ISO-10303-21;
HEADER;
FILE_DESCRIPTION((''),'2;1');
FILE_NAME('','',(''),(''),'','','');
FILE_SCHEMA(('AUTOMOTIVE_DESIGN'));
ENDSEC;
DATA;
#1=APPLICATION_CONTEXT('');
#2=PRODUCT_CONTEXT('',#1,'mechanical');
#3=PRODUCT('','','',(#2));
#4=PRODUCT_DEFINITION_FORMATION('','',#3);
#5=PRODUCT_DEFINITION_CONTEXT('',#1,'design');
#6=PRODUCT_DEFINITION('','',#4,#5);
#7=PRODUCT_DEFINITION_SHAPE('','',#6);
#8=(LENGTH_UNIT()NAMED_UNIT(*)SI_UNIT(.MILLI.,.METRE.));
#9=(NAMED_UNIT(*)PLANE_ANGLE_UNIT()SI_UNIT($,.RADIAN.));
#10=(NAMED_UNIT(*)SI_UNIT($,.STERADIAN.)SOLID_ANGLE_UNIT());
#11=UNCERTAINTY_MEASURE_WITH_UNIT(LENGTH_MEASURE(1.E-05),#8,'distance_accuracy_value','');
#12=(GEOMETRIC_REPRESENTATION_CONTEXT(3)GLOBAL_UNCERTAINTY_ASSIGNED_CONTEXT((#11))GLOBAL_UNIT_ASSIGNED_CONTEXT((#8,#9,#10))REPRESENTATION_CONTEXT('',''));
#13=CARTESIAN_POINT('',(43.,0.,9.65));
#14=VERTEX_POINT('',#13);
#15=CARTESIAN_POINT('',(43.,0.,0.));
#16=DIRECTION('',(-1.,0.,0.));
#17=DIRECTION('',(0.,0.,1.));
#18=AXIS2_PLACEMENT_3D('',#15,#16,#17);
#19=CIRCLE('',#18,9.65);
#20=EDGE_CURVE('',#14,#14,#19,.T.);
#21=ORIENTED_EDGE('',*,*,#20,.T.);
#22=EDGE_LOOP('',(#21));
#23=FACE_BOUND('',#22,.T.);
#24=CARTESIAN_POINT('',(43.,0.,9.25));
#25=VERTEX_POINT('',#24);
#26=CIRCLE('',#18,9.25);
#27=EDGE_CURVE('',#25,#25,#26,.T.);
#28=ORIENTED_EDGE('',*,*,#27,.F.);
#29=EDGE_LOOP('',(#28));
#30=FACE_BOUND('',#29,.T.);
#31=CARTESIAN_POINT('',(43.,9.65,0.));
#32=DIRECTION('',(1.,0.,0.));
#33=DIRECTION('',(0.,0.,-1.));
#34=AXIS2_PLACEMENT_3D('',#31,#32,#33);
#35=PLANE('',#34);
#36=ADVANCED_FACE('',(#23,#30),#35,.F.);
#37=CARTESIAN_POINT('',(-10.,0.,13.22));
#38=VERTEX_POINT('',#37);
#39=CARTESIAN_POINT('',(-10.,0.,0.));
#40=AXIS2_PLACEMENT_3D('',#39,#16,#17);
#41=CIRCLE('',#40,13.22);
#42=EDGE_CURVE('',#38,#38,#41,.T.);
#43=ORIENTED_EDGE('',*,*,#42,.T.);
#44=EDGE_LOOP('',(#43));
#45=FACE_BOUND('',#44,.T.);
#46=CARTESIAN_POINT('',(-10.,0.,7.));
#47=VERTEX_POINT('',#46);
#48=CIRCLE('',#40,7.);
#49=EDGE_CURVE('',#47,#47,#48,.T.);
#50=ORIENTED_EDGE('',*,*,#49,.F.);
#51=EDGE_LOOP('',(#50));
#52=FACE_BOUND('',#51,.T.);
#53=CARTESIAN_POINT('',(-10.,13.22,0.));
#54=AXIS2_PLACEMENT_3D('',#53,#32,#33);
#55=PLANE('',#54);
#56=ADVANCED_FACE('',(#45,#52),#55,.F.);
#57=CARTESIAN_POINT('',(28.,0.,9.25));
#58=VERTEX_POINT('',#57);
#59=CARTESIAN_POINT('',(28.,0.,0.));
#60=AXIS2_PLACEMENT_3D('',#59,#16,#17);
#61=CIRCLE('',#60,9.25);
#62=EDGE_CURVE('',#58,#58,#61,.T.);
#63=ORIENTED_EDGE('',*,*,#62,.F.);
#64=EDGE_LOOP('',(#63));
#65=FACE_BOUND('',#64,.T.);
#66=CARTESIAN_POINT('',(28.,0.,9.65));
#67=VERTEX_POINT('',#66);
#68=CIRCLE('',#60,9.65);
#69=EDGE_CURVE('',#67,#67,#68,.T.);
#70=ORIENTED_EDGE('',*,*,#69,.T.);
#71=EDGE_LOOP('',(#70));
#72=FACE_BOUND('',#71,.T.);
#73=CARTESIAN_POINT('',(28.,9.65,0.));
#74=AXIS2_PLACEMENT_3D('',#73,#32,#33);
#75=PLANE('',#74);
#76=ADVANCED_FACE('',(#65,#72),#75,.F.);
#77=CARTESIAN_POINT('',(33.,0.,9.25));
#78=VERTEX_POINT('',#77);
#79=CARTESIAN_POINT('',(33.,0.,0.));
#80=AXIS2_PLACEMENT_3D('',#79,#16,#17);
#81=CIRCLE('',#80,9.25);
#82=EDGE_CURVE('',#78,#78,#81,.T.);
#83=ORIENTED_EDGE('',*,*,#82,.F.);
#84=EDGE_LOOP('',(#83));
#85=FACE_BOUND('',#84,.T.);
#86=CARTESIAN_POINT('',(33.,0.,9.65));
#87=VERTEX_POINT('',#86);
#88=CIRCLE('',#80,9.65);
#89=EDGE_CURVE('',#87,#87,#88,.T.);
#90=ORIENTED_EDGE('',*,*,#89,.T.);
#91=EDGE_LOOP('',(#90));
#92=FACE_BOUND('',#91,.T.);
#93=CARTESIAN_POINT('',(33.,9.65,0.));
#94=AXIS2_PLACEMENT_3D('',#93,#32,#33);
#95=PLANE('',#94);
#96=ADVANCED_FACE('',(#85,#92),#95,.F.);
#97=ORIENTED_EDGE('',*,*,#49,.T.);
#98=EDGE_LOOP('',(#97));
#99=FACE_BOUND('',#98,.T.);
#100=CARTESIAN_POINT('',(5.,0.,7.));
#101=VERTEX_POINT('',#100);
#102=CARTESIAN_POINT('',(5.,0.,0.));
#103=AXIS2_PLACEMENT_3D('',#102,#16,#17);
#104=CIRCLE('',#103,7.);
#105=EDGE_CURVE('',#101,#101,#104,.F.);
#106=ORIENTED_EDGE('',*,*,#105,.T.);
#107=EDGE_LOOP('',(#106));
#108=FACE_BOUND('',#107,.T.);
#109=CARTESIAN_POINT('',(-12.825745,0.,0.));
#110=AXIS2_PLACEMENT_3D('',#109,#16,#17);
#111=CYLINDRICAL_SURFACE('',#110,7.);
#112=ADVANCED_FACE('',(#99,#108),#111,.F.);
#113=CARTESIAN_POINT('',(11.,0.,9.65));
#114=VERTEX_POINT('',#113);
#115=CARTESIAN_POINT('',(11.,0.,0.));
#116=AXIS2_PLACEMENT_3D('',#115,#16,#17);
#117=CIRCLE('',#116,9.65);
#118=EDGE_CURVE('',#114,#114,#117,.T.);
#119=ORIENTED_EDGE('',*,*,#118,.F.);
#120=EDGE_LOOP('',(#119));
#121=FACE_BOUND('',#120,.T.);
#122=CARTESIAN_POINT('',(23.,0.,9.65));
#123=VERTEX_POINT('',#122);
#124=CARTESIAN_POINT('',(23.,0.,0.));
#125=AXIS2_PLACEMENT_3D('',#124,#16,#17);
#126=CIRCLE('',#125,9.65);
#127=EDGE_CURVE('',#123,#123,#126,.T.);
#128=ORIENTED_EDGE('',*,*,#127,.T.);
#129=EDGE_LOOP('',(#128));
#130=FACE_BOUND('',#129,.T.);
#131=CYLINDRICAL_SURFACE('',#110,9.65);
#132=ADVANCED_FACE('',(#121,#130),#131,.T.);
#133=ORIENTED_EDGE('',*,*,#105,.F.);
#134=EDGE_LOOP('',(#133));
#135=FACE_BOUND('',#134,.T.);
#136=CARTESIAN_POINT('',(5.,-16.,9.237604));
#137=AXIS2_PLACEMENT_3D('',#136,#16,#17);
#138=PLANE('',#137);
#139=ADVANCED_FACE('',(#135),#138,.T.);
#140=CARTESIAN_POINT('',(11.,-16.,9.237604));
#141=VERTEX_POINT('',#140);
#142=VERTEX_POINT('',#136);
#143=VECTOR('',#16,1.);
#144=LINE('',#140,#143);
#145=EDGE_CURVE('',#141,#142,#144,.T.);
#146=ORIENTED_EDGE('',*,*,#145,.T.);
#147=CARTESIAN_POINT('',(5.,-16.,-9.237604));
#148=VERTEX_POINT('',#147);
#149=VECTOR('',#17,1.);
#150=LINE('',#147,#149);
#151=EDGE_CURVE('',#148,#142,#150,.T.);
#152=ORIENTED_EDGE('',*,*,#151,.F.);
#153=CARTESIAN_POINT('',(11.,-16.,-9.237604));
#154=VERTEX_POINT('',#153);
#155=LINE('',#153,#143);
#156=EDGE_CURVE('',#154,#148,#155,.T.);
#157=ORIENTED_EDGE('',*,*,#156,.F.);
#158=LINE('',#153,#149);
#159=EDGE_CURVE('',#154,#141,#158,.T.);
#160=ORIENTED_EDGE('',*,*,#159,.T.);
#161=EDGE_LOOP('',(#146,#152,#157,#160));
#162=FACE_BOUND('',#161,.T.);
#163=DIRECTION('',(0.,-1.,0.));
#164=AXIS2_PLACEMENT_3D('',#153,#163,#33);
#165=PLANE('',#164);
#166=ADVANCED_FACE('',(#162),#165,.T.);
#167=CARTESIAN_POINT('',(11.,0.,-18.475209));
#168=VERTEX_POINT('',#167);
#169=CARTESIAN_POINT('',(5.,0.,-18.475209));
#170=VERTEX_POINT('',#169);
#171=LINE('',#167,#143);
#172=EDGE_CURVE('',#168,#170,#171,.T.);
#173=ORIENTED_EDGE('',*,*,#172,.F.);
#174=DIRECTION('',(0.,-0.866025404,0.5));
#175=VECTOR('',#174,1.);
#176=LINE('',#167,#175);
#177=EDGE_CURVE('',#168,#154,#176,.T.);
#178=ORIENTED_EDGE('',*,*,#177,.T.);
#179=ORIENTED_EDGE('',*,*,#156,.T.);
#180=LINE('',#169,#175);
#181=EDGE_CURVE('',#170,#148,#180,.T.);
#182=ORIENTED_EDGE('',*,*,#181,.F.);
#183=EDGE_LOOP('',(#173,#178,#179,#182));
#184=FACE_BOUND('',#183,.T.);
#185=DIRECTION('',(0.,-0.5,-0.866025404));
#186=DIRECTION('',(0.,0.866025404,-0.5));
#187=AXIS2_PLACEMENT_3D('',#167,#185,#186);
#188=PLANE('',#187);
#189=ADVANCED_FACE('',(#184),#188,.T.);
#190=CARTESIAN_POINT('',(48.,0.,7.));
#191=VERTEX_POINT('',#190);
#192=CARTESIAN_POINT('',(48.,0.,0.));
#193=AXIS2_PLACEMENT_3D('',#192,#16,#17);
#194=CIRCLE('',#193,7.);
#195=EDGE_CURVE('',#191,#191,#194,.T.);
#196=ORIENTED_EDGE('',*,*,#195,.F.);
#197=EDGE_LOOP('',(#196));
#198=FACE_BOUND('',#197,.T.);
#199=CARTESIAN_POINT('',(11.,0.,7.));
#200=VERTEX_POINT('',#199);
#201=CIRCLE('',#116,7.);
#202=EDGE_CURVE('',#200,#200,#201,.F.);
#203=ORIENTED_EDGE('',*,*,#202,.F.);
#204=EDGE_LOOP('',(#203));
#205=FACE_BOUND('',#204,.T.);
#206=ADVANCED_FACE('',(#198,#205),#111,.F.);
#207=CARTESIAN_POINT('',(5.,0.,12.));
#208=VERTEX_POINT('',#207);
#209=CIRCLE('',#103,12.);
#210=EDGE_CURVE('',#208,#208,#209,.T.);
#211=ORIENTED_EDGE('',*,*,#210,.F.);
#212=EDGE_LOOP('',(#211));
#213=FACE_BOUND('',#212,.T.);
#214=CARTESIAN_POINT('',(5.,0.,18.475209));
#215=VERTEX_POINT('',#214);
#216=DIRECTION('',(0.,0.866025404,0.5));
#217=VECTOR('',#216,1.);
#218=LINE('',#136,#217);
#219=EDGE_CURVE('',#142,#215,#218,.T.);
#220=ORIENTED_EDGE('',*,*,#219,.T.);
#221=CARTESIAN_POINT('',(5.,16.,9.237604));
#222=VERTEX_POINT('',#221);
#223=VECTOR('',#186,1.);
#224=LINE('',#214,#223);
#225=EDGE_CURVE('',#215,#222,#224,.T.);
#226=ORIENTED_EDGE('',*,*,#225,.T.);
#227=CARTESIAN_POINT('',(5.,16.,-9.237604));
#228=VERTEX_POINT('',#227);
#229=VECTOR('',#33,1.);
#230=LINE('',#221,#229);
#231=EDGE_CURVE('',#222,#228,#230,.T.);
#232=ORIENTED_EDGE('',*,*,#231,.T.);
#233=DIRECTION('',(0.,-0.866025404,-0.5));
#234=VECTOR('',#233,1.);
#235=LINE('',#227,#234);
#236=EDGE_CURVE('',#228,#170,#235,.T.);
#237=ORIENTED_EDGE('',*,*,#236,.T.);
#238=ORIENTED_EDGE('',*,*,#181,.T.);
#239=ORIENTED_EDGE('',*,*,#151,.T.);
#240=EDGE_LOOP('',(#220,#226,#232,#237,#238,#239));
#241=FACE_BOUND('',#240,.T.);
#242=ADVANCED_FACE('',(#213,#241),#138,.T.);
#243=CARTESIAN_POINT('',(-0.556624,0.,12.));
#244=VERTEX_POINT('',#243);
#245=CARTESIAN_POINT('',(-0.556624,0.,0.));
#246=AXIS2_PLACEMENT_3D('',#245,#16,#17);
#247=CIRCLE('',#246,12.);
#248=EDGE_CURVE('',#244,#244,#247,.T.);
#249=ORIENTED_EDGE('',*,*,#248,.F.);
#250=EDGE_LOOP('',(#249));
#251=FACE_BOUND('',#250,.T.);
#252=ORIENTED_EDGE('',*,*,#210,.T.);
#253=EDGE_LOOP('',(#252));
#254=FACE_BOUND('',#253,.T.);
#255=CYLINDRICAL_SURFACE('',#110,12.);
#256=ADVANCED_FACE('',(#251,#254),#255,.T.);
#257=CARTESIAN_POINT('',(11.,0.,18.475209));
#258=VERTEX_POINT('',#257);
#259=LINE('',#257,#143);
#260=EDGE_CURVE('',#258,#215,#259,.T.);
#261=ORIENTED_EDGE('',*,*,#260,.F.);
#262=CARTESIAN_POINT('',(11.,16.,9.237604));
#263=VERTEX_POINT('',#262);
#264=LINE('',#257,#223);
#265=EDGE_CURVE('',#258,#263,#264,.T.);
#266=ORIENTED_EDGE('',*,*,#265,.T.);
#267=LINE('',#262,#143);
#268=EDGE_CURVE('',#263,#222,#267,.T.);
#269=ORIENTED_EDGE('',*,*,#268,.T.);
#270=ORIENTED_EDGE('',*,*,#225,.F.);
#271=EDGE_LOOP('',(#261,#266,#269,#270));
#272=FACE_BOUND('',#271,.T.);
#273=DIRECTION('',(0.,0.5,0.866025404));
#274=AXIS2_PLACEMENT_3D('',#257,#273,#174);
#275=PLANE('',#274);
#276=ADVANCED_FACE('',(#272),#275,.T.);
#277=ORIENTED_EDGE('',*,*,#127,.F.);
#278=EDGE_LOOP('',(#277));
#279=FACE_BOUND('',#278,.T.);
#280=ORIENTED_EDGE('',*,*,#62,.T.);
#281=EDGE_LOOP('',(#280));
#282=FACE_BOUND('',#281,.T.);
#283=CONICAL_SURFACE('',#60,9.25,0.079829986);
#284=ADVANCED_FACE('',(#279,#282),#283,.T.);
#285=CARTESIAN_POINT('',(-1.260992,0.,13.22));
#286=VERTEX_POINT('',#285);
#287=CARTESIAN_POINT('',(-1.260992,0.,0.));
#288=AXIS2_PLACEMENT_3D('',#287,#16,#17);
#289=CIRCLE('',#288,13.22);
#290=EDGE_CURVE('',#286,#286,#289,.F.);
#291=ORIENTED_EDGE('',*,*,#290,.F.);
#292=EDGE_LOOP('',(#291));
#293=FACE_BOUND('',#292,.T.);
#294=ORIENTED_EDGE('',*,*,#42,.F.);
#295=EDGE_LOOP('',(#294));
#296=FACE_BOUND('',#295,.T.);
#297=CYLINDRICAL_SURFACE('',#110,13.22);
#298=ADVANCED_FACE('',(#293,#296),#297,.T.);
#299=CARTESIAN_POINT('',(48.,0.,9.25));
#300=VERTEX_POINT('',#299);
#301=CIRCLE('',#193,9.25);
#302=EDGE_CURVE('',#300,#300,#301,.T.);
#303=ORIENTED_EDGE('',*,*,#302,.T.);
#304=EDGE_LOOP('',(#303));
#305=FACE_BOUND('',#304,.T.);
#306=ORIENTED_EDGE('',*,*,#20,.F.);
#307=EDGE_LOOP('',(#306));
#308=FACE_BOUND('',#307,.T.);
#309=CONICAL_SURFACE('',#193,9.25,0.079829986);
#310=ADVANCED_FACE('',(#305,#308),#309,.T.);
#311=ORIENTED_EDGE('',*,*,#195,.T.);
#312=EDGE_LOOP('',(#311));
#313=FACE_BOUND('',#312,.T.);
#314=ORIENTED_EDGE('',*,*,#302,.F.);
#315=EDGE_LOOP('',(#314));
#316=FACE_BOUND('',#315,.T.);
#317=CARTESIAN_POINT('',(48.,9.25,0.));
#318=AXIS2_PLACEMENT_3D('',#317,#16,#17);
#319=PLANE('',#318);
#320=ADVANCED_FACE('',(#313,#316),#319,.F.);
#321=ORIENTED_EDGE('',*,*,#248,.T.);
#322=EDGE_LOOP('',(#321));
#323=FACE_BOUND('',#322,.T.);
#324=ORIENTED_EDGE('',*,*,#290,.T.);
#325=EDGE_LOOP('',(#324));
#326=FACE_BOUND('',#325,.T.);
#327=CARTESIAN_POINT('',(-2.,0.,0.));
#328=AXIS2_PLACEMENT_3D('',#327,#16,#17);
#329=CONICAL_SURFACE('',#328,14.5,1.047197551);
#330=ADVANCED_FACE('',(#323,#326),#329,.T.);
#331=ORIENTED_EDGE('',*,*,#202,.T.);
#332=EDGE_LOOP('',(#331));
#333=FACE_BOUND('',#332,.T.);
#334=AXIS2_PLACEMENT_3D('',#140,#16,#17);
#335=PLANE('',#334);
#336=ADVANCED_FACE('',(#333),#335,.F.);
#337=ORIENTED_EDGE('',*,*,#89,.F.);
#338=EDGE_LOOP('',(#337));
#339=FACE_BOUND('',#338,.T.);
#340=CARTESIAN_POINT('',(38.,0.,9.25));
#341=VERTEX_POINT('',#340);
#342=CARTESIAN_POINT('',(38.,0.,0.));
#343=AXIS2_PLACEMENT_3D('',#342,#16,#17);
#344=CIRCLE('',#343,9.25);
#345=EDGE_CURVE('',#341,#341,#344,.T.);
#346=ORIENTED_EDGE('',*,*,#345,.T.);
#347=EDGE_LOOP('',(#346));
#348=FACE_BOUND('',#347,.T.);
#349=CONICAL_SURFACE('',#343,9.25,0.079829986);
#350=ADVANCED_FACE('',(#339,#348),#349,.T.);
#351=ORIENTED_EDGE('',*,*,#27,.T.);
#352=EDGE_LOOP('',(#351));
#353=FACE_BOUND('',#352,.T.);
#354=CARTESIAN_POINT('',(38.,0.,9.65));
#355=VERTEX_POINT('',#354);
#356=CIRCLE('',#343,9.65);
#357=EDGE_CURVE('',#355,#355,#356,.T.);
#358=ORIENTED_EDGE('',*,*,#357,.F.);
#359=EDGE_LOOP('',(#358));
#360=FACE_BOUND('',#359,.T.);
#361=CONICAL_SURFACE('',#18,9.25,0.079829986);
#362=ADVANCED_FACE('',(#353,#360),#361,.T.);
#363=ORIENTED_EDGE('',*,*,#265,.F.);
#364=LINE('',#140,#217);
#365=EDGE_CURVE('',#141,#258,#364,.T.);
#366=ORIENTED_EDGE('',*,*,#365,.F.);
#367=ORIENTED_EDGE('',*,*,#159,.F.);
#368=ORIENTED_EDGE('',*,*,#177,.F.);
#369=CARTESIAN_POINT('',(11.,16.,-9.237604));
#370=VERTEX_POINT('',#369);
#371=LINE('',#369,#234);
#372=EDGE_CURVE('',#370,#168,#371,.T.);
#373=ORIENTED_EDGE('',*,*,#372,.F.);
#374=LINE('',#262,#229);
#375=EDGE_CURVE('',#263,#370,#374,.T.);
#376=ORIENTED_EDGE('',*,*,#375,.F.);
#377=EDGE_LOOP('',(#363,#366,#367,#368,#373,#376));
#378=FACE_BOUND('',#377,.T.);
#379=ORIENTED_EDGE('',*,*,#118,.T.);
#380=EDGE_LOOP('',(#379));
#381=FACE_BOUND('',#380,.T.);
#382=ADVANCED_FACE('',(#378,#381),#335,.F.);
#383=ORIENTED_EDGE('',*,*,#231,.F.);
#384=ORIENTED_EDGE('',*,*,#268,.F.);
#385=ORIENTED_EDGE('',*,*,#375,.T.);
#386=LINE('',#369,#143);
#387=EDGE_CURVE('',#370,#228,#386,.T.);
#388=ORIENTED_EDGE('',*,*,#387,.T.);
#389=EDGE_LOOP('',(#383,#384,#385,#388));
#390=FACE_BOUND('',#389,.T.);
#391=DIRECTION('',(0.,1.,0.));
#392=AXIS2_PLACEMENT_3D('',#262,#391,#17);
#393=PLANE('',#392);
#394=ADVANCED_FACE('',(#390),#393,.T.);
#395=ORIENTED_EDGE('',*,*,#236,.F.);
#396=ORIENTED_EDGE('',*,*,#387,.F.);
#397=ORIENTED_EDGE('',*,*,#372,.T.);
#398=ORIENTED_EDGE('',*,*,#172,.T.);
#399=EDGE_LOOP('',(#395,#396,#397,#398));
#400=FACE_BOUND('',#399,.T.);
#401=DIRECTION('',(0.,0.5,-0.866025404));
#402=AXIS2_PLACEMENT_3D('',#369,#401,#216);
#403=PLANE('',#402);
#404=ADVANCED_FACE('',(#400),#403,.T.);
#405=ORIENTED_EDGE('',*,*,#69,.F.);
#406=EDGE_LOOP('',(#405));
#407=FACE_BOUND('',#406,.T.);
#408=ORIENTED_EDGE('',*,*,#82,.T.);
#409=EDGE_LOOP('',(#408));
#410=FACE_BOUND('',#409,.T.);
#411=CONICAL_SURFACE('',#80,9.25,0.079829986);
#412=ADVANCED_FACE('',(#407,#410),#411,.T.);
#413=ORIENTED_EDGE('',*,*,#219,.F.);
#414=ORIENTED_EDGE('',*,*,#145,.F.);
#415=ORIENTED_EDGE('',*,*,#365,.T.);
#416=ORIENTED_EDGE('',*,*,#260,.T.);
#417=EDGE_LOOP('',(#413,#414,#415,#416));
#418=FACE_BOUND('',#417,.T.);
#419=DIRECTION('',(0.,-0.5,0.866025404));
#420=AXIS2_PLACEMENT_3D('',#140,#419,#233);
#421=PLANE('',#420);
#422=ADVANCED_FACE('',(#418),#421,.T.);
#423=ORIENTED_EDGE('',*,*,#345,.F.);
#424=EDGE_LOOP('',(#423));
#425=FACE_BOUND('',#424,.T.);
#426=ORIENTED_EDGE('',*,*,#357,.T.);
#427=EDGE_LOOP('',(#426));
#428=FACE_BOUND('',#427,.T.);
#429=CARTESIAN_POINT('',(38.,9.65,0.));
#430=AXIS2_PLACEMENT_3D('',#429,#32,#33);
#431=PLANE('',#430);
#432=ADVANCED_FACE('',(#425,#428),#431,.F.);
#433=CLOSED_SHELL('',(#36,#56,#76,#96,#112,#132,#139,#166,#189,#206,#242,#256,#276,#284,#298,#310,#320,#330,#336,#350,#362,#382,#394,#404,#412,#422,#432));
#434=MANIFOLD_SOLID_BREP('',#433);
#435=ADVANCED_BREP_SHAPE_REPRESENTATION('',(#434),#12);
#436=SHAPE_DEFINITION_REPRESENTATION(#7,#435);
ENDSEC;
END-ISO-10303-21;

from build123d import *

# Parameters (mm, degrees)
LINEAR_AUSTRAGEN1_DEPTH = 6


with BuildPart() as part:
    # Skizze2 → Rotation1 (revolve)
    with BuildSketch(Plane.XY):
        Polygon((5, 13.22), (5, 9.65), (21, 9.65), (23, 9.65), (28, 9.25), (28, 9.65), (33, 9.25), (33, 9.65), (38, 9.25), (38, 9.65), (43, 9.25), (43, 9.65), (48, 9.25), (48, 7), (-10, 7), (-10, 13.22), align=None)
    revolve(axis=Axis((-12.825745381, 0, 0), (1, 0, 0)))

    # Skizze4 → Linear austragen1 (add)
    with BuildSketch(Plane.ZY.offset(-5)):
        Polygon((9.237604307, -16), (18.475208614, 0), (9.237604307, 16), (-9.237604307, 16), (-18.475208614, 0), (-9.237604307, -16), align=None)
    extrude(amount=-LINEAR_AUSTRAGEN1_DEPTH)

    # Skizze5 → Schnitt-Rotation1 (revolve, cut)
    with BuildSketch(Plane.XY):
        Polygon((-2, 14.5), (-0.556624327, 12), (5, 12), (5, 14.5), align=None)
    revolve(axis=Axis((-12.825745381, 0, 0), (1, 0, 0)), mode=Mode.SUBTRACT)


solid = part.part
